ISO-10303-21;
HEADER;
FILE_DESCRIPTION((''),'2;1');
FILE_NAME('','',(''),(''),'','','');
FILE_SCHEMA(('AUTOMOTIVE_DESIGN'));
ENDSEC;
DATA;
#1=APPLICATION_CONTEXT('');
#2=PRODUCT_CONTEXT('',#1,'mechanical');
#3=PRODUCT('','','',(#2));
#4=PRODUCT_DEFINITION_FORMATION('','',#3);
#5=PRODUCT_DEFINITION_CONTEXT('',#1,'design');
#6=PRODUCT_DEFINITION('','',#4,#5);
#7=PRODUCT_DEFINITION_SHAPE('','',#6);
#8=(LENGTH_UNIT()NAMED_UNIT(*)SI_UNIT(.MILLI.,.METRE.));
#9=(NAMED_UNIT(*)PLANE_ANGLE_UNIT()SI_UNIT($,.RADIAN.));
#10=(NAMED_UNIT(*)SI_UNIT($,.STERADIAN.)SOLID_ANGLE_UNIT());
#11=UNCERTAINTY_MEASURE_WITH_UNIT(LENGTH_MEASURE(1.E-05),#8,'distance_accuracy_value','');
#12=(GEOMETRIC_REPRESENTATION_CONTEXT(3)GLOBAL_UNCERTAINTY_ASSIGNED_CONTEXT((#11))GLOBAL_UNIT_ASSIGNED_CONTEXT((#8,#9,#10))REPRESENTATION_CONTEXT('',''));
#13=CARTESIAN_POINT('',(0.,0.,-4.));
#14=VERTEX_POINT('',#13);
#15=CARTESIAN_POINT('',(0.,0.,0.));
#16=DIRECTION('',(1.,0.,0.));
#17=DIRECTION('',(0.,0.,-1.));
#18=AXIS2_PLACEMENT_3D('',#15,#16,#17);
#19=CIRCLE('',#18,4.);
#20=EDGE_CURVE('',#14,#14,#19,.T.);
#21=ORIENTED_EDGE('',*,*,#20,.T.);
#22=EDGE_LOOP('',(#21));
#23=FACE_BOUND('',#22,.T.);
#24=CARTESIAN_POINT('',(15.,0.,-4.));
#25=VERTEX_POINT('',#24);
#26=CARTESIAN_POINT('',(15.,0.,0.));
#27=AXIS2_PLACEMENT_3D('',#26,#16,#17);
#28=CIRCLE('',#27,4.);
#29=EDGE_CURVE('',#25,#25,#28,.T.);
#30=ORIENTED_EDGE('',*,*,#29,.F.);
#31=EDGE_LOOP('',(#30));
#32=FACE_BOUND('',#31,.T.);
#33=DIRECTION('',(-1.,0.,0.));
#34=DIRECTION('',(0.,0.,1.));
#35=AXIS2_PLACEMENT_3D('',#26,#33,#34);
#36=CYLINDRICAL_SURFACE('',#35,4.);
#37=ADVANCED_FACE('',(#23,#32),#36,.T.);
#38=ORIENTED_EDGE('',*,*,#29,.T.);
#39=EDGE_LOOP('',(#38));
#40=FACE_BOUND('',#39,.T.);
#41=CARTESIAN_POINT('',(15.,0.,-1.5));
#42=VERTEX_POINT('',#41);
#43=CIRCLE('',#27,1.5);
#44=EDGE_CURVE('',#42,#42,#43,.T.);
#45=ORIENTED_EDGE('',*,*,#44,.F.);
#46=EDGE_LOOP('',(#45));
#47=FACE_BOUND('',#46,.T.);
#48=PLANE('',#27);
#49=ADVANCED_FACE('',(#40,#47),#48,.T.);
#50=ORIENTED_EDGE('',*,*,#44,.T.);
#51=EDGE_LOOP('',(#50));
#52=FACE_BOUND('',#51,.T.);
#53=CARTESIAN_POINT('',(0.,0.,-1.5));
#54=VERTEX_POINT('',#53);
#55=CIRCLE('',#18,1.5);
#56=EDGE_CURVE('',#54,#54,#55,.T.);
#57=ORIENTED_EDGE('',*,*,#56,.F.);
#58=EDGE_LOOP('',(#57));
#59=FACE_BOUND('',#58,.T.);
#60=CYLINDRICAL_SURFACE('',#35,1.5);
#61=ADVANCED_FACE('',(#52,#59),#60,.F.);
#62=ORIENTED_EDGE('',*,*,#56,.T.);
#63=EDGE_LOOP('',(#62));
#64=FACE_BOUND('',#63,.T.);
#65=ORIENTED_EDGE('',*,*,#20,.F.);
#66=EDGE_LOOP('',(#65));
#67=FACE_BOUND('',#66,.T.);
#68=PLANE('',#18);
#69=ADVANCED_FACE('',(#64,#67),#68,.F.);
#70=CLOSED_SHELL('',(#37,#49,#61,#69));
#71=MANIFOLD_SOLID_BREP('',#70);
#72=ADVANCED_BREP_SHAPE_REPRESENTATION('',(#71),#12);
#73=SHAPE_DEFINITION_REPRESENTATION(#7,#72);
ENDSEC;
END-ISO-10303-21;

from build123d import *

# Parameters (mm, degrees)
SKETCH_1_R      = 4
SKETCH_1_R_2    = 1.5
EXTRUDE_1_DEPTH = 15


with BuildPart() as part:
    # ｽｹｯﾁ1 → ﾎﾞｽ - 押し出し1 (new body)
    with BuildSketch(Plane(origin=(0, 0, 0), x_dir=(0, 0, -1), z_dir=(1, 0, 0))):
        Circle(SKETCH_1_R)
        Circle(SKETCH_1_R_2, mode=Mode.SUBTRACT)
    extrude(amount=EXTRUDE_1_DEPTH)


solid = part.part
